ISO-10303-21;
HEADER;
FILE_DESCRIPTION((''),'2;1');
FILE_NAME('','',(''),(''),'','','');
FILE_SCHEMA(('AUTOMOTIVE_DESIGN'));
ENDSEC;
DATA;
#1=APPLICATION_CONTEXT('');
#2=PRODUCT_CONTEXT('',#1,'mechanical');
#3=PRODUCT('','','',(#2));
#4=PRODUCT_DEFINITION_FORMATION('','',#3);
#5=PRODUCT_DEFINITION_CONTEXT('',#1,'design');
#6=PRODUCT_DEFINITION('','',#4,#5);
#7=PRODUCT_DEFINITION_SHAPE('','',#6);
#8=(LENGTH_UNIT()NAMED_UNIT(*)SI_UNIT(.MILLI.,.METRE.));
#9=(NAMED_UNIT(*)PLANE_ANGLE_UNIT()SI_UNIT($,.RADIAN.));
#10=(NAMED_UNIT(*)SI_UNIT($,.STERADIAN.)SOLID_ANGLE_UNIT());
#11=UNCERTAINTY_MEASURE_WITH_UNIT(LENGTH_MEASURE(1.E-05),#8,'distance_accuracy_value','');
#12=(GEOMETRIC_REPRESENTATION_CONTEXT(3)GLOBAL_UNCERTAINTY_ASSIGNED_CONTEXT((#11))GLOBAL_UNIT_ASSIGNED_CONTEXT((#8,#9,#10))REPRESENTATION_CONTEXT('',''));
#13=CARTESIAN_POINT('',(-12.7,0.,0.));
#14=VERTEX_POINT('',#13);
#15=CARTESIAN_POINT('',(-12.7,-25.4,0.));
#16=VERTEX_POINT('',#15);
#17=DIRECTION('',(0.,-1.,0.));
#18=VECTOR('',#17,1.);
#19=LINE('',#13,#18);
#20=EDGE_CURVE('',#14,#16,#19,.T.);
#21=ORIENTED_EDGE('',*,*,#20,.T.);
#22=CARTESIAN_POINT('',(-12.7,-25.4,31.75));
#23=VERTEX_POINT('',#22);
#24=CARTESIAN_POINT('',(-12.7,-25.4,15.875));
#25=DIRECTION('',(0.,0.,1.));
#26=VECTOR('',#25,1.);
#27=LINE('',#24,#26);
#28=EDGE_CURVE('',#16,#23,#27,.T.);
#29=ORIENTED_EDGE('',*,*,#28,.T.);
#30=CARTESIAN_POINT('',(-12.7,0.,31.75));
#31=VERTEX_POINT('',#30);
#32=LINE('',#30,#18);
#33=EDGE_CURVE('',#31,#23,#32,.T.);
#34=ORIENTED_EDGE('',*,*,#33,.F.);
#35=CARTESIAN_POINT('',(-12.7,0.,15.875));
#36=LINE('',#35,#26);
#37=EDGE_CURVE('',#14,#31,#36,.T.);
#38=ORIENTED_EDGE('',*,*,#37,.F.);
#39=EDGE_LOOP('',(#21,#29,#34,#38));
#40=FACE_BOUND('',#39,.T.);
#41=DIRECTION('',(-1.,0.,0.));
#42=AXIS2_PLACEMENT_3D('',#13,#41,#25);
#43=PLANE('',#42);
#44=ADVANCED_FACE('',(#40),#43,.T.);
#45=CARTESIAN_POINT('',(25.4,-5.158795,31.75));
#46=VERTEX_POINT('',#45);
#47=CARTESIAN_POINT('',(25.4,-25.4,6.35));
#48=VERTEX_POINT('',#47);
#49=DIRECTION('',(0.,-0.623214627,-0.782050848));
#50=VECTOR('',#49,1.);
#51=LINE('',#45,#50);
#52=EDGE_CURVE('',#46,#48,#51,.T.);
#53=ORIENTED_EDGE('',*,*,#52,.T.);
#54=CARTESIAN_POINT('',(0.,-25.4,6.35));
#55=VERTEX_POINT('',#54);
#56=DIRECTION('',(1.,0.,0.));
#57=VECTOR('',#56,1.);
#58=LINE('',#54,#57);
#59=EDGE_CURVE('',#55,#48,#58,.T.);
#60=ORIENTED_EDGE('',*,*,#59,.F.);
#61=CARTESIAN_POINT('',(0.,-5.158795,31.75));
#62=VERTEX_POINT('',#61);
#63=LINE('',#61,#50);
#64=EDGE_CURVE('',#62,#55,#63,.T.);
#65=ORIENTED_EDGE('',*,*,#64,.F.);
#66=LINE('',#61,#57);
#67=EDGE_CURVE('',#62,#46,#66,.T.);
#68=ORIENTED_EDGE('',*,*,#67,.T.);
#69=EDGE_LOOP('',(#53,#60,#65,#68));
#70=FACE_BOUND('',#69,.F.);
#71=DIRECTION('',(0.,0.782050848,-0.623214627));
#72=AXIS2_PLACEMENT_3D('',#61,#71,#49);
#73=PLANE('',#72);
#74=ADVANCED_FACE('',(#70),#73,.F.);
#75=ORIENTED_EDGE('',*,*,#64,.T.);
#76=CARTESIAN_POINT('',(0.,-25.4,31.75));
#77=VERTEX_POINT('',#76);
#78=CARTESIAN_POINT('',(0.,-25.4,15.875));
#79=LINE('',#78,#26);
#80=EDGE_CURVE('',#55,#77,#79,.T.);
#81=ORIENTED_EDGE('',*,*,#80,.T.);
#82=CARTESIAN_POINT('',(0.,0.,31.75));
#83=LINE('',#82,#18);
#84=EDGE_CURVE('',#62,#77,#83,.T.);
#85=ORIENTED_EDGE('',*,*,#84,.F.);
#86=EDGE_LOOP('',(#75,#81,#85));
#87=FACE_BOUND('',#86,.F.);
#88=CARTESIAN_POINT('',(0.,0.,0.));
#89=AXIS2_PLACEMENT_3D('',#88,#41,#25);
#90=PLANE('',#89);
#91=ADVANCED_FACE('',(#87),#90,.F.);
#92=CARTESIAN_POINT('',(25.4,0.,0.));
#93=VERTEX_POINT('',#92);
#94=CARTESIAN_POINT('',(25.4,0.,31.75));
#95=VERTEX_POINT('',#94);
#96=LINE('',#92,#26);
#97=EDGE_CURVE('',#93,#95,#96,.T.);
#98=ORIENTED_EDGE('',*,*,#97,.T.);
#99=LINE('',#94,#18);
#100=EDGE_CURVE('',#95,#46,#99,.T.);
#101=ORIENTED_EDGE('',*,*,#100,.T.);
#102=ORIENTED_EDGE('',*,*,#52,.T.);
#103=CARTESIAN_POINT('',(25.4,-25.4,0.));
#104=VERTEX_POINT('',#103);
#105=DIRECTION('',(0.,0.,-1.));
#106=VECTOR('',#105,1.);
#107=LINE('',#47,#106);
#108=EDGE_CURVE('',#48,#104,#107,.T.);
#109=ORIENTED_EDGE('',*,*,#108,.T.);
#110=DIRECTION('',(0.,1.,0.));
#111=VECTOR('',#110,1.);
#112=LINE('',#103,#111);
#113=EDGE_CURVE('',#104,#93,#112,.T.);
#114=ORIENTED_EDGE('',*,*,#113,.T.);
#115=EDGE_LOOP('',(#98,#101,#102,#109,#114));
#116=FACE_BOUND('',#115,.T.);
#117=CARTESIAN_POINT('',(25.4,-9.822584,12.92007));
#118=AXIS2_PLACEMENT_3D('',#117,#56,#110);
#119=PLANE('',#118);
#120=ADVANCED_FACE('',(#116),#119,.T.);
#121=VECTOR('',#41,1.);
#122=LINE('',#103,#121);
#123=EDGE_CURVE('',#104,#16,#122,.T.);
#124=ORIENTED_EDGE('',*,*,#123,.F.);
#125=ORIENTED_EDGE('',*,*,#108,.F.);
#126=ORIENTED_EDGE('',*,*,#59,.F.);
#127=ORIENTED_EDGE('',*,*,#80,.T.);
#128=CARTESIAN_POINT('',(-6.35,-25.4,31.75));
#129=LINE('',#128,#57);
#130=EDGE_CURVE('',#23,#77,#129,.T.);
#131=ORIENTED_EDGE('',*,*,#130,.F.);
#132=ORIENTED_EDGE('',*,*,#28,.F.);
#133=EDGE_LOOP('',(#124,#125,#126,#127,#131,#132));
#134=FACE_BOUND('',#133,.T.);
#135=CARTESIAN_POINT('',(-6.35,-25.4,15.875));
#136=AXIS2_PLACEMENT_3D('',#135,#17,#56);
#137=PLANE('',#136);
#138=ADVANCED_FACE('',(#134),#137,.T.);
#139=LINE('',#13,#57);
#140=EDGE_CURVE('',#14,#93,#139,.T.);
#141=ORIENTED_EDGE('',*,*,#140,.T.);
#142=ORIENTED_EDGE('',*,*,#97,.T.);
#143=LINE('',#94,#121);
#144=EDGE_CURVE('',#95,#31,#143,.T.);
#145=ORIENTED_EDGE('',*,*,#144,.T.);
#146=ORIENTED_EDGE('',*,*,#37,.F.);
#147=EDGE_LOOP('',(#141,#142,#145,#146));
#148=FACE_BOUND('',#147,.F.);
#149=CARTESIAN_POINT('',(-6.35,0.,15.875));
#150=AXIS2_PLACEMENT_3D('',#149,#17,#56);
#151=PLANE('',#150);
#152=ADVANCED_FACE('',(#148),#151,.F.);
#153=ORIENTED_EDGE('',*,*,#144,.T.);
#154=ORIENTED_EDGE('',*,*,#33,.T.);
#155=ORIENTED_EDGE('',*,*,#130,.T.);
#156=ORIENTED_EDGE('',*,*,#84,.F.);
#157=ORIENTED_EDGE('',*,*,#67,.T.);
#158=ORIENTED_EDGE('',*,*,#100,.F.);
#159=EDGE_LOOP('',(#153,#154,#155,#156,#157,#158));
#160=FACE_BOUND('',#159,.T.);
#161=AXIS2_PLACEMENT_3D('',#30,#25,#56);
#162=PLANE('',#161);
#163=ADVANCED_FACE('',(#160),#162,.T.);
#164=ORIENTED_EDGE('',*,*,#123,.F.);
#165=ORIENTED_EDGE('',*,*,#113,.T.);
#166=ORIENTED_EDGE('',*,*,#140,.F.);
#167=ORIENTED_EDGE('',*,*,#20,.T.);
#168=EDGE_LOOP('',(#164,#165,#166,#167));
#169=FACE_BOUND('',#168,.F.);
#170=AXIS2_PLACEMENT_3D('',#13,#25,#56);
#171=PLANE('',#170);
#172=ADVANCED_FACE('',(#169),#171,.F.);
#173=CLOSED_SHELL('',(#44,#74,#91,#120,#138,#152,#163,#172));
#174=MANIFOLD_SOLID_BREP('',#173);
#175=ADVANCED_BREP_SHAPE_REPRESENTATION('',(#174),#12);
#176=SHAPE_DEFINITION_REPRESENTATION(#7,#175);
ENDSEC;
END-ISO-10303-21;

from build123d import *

# Parameters (mm, degrees)
F1_DEPTH = 25.4
F2_W     = 12.7
F2_H     = 31.75
F3_DEPTH = 25.4


with BuildPart() as f1:
    # F0 (on Right) → F1 (new body)
    with BuildSketch(Plane.YZ):
        Polygon((-25.4, 0), (0, 0), (0, 31.75), (-5.158795, 31.75), (-25.4, 6.35), align=None)
    extrude(amount=F1_DEPTH)

    # F2 (on Front) → F3 (join)
    with BuildSketch(Plane.XZ):
        with Locations((-6.35, 15.875)):
            Rectangle(F2_W, F2_H)
    extrude(amount=F3_DEPTH)


solid = f1.part
